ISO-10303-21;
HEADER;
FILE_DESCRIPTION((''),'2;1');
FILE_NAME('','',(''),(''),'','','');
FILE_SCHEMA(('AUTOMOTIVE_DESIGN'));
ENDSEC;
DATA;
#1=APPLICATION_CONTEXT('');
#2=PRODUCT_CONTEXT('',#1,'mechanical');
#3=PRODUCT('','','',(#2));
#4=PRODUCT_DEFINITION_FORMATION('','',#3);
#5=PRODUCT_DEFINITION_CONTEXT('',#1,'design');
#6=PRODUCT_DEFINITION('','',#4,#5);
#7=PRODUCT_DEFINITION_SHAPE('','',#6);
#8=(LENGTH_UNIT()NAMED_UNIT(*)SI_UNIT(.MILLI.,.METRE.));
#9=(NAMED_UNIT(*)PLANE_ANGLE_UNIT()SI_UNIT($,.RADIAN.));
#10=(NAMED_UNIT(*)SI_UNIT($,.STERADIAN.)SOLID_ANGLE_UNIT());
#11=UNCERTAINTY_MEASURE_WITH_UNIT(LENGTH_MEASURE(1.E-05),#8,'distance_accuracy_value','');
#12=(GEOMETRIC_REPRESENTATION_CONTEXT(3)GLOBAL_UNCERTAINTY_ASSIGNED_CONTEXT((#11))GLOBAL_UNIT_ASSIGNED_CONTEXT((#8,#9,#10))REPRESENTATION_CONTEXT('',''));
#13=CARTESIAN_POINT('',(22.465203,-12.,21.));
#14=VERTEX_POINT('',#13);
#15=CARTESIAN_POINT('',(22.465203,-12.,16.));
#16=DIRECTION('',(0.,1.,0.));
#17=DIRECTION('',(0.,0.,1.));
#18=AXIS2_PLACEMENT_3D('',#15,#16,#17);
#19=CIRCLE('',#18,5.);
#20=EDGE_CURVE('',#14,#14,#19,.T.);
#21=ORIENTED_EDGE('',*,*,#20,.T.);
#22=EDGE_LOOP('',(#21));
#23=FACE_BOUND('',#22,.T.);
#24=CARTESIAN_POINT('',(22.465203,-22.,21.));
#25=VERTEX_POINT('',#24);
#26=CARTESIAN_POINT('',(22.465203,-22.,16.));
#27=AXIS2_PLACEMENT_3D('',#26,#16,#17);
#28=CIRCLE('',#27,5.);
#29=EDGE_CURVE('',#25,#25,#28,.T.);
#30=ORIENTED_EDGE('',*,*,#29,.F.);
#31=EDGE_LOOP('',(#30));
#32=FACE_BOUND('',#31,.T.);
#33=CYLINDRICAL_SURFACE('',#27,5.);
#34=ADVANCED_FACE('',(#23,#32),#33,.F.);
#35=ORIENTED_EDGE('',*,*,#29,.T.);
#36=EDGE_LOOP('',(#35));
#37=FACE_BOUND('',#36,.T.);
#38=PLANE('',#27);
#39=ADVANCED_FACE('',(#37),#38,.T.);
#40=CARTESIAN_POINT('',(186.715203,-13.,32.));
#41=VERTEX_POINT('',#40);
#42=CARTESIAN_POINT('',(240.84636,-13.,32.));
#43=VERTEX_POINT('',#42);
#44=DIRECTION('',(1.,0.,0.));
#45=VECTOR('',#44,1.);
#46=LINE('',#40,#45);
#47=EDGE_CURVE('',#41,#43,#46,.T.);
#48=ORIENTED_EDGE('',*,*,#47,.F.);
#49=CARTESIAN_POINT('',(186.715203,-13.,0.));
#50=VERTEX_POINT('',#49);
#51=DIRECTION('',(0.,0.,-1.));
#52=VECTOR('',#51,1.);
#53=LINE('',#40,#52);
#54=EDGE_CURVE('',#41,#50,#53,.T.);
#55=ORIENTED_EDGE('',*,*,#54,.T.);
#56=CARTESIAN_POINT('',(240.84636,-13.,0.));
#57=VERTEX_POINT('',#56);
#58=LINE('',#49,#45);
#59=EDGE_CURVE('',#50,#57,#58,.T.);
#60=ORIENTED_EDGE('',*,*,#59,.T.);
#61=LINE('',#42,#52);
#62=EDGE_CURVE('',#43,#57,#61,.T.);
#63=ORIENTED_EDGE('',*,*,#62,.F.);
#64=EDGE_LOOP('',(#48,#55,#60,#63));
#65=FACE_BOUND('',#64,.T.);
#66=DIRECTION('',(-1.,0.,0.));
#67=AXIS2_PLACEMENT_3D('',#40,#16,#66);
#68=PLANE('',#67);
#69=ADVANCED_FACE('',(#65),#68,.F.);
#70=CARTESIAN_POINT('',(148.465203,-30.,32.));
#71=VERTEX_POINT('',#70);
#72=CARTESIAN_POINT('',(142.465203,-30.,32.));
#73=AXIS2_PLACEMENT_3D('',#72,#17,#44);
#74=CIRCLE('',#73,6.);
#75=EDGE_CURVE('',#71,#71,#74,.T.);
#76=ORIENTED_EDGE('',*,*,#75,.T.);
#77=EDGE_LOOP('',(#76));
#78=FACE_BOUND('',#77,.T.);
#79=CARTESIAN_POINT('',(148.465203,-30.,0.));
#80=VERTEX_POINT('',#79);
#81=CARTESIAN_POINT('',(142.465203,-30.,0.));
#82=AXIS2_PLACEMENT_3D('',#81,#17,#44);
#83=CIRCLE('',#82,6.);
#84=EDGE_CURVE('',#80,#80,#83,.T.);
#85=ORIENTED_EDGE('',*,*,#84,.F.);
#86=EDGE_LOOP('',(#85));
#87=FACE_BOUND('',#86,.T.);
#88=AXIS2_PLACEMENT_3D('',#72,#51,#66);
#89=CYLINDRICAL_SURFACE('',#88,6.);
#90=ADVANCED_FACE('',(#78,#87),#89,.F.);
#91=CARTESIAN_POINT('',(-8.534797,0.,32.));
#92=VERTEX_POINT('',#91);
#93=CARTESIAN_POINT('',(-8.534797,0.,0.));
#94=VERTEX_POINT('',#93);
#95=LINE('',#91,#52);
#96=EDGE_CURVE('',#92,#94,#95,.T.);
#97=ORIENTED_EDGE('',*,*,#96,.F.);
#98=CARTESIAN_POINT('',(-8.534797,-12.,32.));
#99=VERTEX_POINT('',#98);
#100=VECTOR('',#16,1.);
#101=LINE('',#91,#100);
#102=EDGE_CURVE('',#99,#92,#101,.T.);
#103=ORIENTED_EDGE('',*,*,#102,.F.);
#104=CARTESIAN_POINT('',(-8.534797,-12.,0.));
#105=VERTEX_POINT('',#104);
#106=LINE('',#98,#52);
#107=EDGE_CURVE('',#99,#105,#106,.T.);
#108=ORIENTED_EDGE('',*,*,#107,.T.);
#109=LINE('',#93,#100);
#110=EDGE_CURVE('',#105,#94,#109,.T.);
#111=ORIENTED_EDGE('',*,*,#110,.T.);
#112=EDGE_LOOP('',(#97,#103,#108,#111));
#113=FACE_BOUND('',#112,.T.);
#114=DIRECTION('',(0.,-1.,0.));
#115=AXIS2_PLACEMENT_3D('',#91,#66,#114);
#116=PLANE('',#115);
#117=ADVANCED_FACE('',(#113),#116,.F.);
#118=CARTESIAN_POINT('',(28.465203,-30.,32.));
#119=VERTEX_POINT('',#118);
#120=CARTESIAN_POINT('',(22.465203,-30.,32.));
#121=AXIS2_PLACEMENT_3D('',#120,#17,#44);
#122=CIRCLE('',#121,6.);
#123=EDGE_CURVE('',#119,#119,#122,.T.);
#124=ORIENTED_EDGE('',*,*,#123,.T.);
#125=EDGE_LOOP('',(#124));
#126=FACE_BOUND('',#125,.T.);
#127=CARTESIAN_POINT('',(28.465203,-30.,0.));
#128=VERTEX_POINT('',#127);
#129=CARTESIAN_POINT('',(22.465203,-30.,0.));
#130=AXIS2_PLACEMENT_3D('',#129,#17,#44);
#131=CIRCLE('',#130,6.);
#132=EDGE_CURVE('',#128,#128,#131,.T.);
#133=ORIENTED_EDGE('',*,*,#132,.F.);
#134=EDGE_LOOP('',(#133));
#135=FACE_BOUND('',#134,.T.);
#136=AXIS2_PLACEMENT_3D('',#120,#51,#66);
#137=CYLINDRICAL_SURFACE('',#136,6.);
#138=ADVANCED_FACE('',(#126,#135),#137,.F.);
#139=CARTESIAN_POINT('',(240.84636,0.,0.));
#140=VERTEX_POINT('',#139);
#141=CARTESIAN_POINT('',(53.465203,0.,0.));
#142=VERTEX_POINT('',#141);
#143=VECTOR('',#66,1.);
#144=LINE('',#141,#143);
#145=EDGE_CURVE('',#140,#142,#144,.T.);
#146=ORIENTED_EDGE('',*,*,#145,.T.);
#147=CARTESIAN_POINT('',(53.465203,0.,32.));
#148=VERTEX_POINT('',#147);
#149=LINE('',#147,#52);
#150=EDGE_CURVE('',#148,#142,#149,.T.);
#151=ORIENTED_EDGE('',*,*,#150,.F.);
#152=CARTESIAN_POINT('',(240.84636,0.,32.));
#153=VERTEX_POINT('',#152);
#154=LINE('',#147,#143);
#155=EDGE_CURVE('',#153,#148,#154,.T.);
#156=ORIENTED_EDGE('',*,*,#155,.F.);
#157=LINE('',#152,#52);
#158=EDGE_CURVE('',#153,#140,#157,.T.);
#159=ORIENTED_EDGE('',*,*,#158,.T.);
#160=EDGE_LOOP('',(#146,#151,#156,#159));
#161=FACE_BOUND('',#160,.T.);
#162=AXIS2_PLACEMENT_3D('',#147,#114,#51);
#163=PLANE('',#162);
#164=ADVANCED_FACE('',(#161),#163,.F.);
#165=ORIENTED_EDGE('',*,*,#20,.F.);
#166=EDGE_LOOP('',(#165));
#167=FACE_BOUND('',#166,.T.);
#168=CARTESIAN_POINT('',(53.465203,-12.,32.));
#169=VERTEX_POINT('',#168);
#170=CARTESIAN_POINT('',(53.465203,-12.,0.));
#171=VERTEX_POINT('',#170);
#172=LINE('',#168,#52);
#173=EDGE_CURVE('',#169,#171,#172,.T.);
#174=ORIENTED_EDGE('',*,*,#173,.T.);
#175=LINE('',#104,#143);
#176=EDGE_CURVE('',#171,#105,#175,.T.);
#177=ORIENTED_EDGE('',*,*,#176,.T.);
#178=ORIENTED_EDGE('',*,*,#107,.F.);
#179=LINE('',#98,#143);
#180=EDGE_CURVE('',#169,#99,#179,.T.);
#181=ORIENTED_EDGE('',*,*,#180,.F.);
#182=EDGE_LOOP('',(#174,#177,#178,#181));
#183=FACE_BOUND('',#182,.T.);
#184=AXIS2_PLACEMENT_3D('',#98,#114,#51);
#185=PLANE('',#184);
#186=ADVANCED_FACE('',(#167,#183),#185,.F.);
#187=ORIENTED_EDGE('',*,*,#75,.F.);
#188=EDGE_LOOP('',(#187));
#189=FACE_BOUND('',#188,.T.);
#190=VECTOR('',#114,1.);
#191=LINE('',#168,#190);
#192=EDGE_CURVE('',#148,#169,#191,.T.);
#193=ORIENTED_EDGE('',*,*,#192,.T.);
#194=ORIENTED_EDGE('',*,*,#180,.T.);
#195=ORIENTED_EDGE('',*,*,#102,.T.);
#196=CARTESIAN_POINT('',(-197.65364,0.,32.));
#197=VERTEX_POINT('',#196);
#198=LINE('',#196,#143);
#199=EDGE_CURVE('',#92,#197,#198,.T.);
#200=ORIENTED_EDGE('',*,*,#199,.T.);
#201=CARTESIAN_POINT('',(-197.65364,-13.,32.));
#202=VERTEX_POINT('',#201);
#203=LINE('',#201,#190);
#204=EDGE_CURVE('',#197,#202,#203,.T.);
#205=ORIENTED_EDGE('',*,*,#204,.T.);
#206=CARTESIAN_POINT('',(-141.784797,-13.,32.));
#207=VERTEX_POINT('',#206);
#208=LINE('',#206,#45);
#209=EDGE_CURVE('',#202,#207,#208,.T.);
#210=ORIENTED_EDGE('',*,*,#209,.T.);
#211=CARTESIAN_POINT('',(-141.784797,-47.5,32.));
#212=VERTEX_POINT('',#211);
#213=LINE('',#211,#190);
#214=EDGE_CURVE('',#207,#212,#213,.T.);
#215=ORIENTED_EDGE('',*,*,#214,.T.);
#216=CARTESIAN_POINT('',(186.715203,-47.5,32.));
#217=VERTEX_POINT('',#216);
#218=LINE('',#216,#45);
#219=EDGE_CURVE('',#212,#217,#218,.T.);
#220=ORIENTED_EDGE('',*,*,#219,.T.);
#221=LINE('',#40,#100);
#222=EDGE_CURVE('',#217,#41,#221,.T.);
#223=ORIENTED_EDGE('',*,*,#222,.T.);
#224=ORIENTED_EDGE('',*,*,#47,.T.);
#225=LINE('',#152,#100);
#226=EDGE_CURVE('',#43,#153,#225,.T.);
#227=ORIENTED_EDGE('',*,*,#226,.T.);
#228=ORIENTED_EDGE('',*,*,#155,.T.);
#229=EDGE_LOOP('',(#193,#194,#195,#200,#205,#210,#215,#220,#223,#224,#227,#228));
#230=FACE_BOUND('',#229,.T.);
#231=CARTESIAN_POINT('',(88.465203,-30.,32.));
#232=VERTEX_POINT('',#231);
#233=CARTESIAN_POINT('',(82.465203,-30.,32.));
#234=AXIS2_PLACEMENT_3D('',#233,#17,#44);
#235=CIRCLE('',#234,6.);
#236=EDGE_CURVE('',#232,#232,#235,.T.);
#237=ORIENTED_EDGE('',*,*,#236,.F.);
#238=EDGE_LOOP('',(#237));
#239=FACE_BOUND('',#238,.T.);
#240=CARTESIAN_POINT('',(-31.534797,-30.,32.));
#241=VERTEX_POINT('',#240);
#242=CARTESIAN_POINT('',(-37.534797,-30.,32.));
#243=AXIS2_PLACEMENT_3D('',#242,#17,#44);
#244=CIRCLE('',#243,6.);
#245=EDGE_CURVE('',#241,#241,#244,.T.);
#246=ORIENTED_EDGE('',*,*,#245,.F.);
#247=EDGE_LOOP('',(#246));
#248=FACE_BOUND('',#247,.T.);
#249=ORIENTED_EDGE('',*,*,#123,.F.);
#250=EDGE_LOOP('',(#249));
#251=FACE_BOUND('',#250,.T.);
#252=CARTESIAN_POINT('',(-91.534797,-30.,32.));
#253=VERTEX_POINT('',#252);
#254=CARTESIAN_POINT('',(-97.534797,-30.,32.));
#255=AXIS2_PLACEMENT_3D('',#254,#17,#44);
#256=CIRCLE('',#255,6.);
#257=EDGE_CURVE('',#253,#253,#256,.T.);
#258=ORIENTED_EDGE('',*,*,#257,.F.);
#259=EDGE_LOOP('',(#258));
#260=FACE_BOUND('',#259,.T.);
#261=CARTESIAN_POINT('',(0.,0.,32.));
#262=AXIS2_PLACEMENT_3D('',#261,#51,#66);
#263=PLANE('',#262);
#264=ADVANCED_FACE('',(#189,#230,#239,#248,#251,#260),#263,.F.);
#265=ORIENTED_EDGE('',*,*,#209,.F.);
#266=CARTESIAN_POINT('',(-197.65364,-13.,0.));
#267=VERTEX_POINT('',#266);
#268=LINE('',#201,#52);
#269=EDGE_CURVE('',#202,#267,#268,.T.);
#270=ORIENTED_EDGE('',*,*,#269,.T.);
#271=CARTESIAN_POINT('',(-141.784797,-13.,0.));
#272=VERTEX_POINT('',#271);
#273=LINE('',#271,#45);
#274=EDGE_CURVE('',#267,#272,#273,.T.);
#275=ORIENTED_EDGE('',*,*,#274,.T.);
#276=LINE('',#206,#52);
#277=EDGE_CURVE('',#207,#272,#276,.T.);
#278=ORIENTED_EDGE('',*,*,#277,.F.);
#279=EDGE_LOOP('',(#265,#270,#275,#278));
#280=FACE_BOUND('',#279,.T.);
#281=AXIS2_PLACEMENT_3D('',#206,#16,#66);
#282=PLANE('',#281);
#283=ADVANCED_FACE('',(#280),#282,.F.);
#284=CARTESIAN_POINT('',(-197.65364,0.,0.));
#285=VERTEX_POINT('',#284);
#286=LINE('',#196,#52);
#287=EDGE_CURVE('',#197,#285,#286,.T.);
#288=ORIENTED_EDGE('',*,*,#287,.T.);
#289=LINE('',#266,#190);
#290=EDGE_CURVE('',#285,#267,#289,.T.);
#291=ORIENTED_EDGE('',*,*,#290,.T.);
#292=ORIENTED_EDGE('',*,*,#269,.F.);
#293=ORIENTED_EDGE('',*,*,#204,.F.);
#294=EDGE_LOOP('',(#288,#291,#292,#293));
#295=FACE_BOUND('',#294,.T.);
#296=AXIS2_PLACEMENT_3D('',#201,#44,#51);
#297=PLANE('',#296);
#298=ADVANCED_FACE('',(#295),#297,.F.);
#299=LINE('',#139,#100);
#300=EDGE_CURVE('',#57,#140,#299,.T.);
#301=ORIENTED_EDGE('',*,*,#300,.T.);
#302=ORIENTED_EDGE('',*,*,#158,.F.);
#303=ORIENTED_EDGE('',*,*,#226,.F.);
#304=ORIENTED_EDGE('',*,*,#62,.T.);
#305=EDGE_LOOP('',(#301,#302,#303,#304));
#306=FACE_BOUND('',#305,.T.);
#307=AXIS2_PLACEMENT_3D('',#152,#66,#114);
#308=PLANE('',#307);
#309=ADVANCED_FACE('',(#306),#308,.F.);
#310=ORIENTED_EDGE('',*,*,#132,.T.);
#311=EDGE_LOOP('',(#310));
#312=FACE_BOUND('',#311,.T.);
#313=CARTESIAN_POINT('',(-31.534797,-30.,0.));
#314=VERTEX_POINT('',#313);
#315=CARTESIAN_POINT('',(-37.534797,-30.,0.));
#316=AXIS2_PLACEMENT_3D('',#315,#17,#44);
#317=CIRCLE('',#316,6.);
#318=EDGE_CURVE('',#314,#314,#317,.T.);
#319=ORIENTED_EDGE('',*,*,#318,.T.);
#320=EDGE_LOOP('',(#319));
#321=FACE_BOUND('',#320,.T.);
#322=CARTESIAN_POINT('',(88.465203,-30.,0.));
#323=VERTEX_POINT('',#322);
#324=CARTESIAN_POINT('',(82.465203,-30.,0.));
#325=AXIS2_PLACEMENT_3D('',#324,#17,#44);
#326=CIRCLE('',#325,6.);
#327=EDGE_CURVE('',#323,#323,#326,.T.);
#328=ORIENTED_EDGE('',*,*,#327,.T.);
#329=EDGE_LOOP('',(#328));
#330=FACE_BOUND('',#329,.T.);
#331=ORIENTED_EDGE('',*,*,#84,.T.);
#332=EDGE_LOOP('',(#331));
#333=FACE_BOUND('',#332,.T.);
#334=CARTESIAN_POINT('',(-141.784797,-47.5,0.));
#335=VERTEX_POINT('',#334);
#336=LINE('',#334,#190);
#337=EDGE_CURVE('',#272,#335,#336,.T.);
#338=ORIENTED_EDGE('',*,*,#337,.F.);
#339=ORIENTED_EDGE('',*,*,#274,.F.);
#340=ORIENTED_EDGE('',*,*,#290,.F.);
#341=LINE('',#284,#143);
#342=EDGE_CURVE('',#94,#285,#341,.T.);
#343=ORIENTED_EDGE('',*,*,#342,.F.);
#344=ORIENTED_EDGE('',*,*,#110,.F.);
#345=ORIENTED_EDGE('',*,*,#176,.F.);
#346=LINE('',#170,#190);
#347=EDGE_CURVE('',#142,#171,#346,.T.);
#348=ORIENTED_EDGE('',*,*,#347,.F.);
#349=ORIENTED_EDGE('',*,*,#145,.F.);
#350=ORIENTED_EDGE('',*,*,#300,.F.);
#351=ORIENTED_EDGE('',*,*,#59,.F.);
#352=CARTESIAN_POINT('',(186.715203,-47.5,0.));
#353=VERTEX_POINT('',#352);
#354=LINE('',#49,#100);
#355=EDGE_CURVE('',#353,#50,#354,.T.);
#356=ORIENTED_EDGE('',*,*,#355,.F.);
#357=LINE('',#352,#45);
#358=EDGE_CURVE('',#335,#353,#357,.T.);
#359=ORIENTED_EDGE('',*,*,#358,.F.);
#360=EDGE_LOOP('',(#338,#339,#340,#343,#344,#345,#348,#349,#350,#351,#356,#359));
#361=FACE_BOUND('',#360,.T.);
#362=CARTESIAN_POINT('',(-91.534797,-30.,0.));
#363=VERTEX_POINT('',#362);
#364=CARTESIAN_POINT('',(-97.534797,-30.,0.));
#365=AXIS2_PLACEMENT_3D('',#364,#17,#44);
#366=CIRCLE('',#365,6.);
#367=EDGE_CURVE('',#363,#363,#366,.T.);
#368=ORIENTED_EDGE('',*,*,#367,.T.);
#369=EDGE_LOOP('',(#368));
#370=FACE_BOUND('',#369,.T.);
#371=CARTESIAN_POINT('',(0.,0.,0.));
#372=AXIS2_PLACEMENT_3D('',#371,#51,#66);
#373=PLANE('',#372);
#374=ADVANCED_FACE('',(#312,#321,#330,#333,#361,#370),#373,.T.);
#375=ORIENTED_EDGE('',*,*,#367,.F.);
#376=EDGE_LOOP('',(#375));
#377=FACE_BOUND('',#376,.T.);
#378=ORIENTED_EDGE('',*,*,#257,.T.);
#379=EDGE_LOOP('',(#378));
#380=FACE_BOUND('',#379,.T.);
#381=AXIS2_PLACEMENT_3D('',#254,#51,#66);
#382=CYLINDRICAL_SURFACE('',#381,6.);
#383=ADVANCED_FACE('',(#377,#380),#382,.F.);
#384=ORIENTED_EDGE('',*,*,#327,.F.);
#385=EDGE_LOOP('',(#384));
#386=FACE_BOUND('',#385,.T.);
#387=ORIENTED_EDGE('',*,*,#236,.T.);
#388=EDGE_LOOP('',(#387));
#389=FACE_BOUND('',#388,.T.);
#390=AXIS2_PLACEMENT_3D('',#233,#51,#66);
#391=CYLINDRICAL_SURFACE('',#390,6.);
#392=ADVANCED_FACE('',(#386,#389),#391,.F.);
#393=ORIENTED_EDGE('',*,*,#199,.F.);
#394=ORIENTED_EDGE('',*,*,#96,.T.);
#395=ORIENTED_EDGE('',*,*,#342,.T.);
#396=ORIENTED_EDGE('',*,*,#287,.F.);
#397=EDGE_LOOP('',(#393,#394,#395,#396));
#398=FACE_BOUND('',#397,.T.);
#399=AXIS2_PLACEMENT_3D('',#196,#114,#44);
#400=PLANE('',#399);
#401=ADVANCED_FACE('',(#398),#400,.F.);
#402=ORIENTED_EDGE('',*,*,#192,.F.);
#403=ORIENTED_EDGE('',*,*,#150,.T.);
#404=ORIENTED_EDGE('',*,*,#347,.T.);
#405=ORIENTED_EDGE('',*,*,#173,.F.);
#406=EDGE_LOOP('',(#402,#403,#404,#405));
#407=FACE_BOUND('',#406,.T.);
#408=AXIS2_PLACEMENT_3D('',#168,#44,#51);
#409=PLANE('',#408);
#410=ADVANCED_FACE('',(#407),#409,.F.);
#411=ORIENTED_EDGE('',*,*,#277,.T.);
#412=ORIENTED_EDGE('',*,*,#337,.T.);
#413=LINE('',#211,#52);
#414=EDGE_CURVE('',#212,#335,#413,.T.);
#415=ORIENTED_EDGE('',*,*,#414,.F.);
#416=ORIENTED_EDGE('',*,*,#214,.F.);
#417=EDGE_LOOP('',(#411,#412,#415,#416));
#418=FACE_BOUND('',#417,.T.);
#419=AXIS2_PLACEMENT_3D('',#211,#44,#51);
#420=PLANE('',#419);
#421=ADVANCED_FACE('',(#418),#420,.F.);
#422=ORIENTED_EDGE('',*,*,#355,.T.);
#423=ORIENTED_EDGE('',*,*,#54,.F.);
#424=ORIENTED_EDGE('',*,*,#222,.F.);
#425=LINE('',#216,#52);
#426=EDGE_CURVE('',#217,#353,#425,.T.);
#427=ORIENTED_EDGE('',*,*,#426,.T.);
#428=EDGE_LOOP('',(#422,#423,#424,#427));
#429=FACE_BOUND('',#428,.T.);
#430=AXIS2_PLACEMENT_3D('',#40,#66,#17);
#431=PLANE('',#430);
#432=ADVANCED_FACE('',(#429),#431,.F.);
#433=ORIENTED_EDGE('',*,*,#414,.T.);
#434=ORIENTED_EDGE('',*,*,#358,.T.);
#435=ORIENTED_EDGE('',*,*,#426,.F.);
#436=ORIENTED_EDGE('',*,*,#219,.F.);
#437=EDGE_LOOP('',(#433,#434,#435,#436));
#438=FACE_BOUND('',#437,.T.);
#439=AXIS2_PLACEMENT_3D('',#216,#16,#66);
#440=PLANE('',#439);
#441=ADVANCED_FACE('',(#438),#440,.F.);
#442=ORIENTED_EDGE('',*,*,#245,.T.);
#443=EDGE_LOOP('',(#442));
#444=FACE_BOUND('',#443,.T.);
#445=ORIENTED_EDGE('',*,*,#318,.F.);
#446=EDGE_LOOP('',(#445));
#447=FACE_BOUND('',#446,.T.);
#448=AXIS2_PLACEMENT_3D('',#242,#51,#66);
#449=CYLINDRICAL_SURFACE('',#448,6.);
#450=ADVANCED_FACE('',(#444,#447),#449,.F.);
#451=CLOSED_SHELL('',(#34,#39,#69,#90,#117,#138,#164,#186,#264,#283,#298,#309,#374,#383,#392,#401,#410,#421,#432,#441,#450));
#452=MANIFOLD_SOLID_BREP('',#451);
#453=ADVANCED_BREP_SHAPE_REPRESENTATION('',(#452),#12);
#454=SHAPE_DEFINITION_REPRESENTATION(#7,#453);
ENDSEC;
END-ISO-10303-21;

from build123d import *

# Parameters (mm, degrees)
CROQUIS1_R              = 6
SALIENTE_EXTRUIR1_DEPTH = 32
CROQUIS2_R              = 5
CORTAR_EXTRUIR1_DEPTH   = 10


with BuildPart() as part:
    # Croquis1 → Saliente-Extruir1 (new body)
    with BuildSketch(Plane.XY):
        Polygon((-197.653640257, 0), (-8.534796574, 0), (-8.534796574, -12), (53.465203426, -12), (53.465203426, 0), (240.846359743, 0), (240.846359743, -13), (186.715203426, -13), (186.715203426, -47.5), (-141.784796574, -47.5), (-141.784796574, -13), (-197.653640257, -13), align=None)
        with Locations((22.465203426, -30)):
            Circle(CROQUIS1_R, mode=Mode.SUBTRACT)
        with Locations((82.465203426, -30)):
            Circle(CROQUIS1_R, mode=Mode.SUBTRACT)
        with Locations((142.465203426, -30)):
            Circle(CROQUIS1_R, mode=Mode.SUBTRACT)
        with Locations((-37.534796574, -30)):
            Circle(CROQUIS1_R, mode=Mode.SUBTRACT)
        with Locations((-97.534796574, -30)):
            Circle(CROQUIS1_R, mode=Mode.SUBTRACT)
    extrude(amount=SALIENTE_EXTRUIR1_DEPTH)

    # Croquis2 → Cortar-Extruir1 (cut)
    with BuildSketch(Plane(origin=(0, -12, 0), x_dir=(1, 0, 0), z_dir=(0, 1, 0))):
        with Locations((22.465203426, -16)):
            Circle(CROQUIS2_R)
    extrude(amount=-CORTAR_EXTRUIR1_DEPTH, mode=Mode.SUBTRACT)


solid = part.part
